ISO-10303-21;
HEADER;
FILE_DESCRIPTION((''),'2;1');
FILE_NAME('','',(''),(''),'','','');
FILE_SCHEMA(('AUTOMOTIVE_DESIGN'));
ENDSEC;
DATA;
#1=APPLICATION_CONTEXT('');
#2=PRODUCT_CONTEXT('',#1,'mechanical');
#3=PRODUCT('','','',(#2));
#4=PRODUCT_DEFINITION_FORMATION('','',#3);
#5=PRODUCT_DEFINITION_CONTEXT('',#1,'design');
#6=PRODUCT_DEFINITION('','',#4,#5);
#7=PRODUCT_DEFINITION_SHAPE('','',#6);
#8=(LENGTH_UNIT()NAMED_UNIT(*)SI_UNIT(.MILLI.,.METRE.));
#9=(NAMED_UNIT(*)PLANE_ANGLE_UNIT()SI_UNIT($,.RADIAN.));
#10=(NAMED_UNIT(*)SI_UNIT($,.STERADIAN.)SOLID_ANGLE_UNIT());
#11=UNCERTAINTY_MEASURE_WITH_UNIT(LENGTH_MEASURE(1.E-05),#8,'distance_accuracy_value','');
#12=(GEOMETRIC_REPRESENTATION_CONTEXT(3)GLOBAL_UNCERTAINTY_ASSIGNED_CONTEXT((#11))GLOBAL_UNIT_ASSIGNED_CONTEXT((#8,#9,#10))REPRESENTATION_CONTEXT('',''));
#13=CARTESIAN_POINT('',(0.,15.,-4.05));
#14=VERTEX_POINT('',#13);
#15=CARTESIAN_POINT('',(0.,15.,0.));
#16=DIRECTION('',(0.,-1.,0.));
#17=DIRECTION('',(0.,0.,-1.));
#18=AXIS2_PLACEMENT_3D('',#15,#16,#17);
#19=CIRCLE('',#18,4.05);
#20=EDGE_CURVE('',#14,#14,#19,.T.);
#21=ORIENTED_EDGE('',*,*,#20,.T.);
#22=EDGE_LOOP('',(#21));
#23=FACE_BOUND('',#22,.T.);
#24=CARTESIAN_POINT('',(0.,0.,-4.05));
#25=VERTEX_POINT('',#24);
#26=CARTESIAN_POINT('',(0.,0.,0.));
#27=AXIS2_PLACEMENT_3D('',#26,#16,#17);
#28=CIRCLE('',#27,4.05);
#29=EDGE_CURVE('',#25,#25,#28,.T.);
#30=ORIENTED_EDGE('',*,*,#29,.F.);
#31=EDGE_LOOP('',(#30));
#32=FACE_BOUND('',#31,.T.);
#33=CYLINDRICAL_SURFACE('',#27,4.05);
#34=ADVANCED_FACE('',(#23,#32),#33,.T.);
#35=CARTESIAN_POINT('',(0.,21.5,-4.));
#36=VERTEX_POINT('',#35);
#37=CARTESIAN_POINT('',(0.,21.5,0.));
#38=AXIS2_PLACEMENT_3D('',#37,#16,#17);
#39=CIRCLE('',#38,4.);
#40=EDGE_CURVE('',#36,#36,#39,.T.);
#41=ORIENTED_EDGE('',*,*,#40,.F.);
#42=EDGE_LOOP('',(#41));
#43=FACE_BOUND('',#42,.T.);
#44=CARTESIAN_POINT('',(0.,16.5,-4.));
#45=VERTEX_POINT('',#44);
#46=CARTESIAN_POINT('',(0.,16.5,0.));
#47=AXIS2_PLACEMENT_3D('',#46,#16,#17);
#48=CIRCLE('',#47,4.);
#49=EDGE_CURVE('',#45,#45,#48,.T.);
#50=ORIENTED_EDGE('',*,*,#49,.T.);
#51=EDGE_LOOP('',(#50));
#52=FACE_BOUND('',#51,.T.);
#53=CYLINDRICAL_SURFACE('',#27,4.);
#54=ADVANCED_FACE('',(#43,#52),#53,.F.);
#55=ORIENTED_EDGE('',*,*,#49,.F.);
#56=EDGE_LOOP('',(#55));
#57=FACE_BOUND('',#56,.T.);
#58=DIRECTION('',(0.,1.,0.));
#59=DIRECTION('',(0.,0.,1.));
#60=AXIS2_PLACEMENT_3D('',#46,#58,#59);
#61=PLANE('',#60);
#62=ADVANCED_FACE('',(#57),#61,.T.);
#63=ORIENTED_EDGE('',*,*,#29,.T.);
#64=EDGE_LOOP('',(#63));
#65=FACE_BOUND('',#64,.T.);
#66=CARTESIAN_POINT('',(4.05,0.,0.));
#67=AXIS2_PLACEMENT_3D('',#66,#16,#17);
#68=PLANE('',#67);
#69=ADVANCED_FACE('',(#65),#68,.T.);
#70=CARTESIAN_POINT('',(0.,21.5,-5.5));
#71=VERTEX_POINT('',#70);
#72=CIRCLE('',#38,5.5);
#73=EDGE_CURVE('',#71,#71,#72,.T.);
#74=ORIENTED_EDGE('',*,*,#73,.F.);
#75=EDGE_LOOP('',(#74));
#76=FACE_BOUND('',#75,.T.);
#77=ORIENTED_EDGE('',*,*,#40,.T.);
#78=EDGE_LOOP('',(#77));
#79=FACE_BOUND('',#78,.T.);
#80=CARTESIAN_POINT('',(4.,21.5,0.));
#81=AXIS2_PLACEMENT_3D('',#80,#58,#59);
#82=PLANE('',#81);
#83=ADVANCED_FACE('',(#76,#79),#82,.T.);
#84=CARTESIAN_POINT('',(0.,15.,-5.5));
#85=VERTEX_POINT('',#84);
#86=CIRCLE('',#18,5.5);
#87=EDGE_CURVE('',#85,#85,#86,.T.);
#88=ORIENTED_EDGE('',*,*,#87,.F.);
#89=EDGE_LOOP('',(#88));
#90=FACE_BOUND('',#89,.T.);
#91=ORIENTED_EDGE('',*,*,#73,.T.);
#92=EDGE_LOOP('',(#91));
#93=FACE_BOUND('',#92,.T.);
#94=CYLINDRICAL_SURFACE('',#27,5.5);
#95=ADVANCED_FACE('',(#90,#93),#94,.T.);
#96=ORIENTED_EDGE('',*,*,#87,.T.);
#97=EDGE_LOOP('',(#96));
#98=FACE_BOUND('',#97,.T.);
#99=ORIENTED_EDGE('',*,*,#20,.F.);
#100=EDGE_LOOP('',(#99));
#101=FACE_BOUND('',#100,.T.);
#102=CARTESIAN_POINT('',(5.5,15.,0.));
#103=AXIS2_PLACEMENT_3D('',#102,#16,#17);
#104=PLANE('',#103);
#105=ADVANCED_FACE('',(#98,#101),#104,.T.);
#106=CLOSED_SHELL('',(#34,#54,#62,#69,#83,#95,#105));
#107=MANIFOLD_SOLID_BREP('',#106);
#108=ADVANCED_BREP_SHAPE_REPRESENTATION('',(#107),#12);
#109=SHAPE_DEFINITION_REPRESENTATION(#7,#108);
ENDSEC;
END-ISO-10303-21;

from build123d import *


with BuildPart() as part:
    # Esboço1 → Revolução1 (revolve)
    with BuildSketch(Plane.XY):
        Polygon((4, 21.5), (5.5, 21.5), (5.5, 15), (4.05, 15), (4.05, 0), (0, 0), (0, 16.5), (4, 16.5), align=None)
    revolve(axis=Axis((0, 0, 0), (0, 1, 0)))


solid = part.part
